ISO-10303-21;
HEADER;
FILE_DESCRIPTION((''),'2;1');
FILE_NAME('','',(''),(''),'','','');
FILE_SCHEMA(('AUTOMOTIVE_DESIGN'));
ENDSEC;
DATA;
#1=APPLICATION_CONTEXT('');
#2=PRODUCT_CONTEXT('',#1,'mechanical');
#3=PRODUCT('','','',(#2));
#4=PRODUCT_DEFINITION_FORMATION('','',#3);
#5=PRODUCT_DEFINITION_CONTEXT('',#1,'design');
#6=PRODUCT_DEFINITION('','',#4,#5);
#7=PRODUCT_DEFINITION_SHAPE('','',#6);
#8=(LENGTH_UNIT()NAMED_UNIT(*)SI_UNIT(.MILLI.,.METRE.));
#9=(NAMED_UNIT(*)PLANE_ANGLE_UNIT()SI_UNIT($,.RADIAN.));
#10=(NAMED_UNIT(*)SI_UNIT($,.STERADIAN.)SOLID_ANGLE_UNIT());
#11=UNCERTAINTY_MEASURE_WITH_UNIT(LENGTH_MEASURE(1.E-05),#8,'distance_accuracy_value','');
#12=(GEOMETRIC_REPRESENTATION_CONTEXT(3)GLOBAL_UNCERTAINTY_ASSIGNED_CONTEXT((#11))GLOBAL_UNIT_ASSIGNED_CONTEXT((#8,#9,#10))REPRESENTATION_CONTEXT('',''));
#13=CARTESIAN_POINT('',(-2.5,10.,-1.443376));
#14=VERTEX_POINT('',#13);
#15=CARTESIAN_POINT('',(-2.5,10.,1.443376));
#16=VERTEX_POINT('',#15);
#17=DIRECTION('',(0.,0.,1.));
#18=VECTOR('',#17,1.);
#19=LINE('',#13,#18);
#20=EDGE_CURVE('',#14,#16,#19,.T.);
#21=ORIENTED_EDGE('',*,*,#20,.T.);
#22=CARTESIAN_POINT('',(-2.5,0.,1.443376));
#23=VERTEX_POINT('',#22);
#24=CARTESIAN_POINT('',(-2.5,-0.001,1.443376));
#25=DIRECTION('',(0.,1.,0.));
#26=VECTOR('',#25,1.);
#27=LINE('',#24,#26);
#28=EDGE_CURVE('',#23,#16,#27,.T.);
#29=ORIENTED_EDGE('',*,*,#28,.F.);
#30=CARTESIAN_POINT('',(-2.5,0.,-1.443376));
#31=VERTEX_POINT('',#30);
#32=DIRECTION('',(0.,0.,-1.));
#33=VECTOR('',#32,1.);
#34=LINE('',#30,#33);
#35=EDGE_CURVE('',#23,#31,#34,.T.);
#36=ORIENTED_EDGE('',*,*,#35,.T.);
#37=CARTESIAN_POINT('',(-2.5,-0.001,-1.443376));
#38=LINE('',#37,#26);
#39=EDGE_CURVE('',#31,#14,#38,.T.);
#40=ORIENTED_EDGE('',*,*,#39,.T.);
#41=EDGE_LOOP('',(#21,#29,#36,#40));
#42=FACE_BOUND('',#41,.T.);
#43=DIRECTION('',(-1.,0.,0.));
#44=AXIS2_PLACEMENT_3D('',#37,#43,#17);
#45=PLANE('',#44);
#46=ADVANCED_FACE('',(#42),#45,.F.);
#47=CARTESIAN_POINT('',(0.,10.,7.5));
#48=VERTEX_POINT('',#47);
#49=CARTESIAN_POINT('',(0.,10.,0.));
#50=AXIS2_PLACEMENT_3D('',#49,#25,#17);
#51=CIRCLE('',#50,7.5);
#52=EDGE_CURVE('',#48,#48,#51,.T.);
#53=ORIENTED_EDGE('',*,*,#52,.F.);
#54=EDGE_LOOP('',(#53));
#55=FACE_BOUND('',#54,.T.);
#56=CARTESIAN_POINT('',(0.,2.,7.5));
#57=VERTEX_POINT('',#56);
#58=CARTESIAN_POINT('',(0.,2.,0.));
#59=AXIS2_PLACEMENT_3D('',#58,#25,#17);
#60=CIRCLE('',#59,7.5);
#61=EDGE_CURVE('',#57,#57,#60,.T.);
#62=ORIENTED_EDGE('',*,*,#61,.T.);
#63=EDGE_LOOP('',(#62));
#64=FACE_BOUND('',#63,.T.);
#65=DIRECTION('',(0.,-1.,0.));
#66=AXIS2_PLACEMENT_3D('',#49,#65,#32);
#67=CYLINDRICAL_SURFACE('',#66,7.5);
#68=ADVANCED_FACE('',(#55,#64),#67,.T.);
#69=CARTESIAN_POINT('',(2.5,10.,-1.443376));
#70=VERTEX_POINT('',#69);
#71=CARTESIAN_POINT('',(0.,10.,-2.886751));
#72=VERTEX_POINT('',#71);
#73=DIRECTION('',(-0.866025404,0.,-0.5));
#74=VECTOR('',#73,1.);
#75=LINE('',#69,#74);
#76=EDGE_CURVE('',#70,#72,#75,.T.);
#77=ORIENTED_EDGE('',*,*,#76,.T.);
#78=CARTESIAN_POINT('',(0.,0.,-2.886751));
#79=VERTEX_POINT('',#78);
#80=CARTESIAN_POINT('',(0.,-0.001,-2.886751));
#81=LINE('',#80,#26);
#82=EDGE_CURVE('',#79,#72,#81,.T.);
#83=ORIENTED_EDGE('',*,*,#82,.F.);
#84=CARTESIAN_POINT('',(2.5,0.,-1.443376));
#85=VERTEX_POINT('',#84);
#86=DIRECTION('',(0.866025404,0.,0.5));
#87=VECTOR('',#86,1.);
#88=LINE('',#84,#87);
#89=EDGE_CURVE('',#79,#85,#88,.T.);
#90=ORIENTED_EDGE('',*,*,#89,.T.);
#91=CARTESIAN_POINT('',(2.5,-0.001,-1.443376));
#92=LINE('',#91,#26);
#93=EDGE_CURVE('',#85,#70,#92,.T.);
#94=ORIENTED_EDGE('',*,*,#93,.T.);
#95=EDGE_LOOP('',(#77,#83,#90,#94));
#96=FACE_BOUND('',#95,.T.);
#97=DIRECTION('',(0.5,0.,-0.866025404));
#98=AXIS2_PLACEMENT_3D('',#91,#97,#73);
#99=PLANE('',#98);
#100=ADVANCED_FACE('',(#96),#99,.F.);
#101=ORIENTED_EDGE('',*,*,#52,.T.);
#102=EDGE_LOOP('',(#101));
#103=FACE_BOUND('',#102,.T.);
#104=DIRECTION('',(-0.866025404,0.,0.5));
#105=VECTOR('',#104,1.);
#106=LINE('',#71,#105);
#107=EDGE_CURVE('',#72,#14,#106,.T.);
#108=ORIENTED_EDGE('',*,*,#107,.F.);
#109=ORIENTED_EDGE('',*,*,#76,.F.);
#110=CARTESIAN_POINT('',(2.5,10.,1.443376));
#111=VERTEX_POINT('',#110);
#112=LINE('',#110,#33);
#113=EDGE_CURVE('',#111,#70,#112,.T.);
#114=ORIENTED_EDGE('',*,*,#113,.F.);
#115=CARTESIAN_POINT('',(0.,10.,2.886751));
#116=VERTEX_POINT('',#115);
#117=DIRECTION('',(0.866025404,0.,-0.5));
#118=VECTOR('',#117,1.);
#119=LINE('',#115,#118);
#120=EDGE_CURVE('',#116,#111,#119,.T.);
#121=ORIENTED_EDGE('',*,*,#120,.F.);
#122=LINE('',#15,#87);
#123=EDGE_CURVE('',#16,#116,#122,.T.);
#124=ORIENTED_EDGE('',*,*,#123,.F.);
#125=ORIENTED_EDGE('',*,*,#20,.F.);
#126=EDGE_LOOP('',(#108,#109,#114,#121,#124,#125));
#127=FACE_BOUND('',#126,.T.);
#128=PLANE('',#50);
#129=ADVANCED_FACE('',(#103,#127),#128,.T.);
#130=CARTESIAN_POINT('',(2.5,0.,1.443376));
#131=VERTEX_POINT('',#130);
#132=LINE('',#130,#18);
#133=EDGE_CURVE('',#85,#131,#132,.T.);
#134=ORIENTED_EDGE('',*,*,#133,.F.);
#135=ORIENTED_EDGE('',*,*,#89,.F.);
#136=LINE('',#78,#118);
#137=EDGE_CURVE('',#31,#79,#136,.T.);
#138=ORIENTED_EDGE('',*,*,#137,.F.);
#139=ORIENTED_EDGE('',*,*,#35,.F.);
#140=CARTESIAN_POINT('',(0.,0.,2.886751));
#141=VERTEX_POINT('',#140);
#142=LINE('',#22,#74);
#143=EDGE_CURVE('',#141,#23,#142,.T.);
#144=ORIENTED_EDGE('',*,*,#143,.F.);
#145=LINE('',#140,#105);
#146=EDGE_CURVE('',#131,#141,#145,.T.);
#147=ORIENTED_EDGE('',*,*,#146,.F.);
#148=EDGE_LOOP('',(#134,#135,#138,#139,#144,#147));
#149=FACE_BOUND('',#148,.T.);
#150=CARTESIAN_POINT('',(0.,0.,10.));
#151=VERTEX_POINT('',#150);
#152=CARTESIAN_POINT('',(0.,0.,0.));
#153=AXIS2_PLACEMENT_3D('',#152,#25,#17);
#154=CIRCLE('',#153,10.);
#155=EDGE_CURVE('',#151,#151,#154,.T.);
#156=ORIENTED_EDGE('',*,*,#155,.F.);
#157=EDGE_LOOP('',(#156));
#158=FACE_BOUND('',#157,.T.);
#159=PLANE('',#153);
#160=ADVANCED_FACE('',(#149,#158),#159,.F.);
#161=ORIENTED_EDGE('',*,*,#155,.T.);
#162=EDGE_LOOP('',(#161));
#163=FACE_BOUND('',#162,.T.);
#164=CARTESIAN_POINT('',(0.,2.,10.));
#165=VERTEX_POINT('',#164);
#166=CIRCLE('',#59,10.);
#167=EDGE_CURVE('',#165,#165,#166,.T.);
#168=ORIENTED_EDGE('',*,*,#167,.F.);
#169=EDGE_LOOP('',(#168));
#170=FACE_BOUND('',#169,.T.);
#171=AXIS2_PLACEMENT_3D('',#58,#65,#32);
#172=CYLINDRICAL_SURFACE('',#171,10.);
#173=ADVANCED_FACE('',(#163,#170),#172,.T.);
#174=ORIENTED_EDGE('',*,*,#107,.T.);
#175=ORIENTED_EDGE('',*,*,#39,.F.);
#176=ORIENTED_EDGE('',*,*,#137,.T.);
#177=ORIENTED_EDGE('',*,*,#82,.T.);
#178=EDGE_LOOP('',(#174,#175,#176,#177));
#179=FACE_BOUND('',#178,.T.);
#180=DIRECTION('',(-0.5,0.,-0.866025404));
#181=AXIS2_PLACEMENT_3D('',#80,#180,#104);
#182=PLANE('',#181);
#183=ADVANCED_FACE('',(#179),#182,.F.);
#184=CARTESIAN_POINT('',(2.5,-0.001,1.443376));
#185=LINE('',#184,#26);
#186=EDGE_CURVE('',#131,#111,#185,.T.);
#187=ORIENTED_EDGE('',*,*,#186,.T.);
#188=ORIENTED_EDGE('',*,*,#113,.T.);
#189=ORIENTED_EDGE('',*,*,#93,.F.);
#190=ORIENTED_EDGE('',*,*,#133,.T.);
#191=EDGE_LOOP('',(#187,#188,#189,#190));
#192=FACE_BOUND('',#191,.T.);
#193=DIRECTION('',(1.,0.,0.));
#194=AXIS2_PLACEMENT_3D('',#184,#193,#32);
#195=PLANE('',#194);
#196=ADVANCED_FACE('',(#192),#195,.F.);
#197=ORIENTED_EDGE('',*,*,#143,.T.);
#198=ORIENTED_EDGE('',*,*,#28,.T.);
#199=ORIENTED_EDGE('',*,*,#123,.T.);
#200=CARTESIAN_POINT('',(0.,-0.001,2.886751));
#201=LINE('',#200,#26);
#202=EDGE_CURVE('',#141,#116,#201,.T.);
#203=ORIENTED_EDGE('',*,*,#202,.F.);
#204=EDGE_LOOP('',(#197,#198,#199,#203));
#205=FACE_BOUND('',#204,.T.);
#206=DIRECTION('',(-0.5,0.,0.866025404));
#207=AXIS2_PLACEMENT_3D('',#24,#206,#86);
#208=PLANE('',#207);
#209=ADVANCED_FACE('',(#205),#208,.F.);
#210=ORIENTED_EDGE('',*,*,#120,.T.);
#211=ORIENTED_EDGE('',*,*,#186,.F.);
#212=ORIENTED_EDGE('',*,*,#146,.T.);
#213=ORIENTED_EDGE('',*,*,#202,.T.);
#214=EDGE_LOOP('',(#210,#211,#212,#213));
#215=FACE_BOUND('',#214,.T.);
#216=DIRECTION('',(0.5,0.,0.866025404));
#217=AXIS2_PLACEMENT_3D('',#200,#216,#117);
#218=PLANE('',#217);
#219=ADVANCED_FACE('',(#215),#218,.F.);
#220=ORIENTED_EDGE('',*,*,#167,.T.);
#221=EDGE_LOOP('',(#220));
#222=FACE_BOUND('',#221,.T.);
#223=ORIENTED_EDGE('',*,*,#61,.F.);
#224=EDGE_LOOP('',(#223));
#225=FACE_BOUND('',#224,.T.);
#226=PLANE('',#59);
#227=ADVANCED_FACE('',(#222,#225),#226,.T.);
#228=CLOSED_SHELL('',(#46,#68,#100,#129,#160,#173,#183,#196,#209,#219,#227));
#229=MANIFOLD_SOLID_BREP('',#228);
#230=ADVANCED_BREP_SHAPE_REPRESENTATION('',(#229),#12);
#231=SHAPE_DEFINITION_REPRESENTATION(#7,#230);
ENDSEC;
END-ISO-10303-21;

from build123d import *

# Parameters (mm, degrees)
SKETCH1_R           = 10
BOSS_EXTRUDE1_DEPTH = 2
SKETCH2_R           = 7.5
BOSS_EXTRUDE2_DEPTH = 8
CUT_EXTRUDE2_REACH  = 19.321


with BuildPart() as part:
    # Sketch1 → Boss-Extrude1 (new body)
    with BuildSketch(Plane(origin=(0, 0, 0), x_dir=(1, 0, 0), z_dir=(0, 1, 0))):
        with Locations(Location((0, 0, 0), (0, 0, 270))):
            Circle(SKETCH1_R)
    extrude(amount=BOSS_EXTRUDE1_DEPTH)

    # Sketch2 → Boss-Extrude2 (add)
    with BuildSketch(Plane(origin=(0, 2, 0), x_dir=(1, 0, 0), z_dir=(0, 1, 0))):
        with Locations(Location((0, 0, 0), (0, 0, 270))):
            Circle(SKETCH2_R)
    extrude(amount=BOSS_EXTRUDE2_DEPTH)

    # Sketch4 → Cut-Extrude2 (cut, up to next)
    with BuildSketch(Plane(origin=(0, 10, 0), x_dir=(1, 0, 0), z_dir=(0, 1, 0)), mode=Mode.PRIVATE) as cut_extrude2_sk1:
        Polygon((2.5, 1.443375673), (0, 2.886751346), (-2.5, 1.443375673), (-2.5, -1.443375673), (0, -2.886751346), (2.5, -1.443375673), align=None)
    cut_extrude2_tool1 = extrude(cut_extrude2_sk1.sketch, amount=-CUT_EXTRUDE2_REACH, mode=Mode.PRIVATE) & part.part
    add(cut_extrude2_tool1.solids().sort_by_distance((0, 10, 0))[0], mode=Mode.SUBTRACT)


solid = part.part
